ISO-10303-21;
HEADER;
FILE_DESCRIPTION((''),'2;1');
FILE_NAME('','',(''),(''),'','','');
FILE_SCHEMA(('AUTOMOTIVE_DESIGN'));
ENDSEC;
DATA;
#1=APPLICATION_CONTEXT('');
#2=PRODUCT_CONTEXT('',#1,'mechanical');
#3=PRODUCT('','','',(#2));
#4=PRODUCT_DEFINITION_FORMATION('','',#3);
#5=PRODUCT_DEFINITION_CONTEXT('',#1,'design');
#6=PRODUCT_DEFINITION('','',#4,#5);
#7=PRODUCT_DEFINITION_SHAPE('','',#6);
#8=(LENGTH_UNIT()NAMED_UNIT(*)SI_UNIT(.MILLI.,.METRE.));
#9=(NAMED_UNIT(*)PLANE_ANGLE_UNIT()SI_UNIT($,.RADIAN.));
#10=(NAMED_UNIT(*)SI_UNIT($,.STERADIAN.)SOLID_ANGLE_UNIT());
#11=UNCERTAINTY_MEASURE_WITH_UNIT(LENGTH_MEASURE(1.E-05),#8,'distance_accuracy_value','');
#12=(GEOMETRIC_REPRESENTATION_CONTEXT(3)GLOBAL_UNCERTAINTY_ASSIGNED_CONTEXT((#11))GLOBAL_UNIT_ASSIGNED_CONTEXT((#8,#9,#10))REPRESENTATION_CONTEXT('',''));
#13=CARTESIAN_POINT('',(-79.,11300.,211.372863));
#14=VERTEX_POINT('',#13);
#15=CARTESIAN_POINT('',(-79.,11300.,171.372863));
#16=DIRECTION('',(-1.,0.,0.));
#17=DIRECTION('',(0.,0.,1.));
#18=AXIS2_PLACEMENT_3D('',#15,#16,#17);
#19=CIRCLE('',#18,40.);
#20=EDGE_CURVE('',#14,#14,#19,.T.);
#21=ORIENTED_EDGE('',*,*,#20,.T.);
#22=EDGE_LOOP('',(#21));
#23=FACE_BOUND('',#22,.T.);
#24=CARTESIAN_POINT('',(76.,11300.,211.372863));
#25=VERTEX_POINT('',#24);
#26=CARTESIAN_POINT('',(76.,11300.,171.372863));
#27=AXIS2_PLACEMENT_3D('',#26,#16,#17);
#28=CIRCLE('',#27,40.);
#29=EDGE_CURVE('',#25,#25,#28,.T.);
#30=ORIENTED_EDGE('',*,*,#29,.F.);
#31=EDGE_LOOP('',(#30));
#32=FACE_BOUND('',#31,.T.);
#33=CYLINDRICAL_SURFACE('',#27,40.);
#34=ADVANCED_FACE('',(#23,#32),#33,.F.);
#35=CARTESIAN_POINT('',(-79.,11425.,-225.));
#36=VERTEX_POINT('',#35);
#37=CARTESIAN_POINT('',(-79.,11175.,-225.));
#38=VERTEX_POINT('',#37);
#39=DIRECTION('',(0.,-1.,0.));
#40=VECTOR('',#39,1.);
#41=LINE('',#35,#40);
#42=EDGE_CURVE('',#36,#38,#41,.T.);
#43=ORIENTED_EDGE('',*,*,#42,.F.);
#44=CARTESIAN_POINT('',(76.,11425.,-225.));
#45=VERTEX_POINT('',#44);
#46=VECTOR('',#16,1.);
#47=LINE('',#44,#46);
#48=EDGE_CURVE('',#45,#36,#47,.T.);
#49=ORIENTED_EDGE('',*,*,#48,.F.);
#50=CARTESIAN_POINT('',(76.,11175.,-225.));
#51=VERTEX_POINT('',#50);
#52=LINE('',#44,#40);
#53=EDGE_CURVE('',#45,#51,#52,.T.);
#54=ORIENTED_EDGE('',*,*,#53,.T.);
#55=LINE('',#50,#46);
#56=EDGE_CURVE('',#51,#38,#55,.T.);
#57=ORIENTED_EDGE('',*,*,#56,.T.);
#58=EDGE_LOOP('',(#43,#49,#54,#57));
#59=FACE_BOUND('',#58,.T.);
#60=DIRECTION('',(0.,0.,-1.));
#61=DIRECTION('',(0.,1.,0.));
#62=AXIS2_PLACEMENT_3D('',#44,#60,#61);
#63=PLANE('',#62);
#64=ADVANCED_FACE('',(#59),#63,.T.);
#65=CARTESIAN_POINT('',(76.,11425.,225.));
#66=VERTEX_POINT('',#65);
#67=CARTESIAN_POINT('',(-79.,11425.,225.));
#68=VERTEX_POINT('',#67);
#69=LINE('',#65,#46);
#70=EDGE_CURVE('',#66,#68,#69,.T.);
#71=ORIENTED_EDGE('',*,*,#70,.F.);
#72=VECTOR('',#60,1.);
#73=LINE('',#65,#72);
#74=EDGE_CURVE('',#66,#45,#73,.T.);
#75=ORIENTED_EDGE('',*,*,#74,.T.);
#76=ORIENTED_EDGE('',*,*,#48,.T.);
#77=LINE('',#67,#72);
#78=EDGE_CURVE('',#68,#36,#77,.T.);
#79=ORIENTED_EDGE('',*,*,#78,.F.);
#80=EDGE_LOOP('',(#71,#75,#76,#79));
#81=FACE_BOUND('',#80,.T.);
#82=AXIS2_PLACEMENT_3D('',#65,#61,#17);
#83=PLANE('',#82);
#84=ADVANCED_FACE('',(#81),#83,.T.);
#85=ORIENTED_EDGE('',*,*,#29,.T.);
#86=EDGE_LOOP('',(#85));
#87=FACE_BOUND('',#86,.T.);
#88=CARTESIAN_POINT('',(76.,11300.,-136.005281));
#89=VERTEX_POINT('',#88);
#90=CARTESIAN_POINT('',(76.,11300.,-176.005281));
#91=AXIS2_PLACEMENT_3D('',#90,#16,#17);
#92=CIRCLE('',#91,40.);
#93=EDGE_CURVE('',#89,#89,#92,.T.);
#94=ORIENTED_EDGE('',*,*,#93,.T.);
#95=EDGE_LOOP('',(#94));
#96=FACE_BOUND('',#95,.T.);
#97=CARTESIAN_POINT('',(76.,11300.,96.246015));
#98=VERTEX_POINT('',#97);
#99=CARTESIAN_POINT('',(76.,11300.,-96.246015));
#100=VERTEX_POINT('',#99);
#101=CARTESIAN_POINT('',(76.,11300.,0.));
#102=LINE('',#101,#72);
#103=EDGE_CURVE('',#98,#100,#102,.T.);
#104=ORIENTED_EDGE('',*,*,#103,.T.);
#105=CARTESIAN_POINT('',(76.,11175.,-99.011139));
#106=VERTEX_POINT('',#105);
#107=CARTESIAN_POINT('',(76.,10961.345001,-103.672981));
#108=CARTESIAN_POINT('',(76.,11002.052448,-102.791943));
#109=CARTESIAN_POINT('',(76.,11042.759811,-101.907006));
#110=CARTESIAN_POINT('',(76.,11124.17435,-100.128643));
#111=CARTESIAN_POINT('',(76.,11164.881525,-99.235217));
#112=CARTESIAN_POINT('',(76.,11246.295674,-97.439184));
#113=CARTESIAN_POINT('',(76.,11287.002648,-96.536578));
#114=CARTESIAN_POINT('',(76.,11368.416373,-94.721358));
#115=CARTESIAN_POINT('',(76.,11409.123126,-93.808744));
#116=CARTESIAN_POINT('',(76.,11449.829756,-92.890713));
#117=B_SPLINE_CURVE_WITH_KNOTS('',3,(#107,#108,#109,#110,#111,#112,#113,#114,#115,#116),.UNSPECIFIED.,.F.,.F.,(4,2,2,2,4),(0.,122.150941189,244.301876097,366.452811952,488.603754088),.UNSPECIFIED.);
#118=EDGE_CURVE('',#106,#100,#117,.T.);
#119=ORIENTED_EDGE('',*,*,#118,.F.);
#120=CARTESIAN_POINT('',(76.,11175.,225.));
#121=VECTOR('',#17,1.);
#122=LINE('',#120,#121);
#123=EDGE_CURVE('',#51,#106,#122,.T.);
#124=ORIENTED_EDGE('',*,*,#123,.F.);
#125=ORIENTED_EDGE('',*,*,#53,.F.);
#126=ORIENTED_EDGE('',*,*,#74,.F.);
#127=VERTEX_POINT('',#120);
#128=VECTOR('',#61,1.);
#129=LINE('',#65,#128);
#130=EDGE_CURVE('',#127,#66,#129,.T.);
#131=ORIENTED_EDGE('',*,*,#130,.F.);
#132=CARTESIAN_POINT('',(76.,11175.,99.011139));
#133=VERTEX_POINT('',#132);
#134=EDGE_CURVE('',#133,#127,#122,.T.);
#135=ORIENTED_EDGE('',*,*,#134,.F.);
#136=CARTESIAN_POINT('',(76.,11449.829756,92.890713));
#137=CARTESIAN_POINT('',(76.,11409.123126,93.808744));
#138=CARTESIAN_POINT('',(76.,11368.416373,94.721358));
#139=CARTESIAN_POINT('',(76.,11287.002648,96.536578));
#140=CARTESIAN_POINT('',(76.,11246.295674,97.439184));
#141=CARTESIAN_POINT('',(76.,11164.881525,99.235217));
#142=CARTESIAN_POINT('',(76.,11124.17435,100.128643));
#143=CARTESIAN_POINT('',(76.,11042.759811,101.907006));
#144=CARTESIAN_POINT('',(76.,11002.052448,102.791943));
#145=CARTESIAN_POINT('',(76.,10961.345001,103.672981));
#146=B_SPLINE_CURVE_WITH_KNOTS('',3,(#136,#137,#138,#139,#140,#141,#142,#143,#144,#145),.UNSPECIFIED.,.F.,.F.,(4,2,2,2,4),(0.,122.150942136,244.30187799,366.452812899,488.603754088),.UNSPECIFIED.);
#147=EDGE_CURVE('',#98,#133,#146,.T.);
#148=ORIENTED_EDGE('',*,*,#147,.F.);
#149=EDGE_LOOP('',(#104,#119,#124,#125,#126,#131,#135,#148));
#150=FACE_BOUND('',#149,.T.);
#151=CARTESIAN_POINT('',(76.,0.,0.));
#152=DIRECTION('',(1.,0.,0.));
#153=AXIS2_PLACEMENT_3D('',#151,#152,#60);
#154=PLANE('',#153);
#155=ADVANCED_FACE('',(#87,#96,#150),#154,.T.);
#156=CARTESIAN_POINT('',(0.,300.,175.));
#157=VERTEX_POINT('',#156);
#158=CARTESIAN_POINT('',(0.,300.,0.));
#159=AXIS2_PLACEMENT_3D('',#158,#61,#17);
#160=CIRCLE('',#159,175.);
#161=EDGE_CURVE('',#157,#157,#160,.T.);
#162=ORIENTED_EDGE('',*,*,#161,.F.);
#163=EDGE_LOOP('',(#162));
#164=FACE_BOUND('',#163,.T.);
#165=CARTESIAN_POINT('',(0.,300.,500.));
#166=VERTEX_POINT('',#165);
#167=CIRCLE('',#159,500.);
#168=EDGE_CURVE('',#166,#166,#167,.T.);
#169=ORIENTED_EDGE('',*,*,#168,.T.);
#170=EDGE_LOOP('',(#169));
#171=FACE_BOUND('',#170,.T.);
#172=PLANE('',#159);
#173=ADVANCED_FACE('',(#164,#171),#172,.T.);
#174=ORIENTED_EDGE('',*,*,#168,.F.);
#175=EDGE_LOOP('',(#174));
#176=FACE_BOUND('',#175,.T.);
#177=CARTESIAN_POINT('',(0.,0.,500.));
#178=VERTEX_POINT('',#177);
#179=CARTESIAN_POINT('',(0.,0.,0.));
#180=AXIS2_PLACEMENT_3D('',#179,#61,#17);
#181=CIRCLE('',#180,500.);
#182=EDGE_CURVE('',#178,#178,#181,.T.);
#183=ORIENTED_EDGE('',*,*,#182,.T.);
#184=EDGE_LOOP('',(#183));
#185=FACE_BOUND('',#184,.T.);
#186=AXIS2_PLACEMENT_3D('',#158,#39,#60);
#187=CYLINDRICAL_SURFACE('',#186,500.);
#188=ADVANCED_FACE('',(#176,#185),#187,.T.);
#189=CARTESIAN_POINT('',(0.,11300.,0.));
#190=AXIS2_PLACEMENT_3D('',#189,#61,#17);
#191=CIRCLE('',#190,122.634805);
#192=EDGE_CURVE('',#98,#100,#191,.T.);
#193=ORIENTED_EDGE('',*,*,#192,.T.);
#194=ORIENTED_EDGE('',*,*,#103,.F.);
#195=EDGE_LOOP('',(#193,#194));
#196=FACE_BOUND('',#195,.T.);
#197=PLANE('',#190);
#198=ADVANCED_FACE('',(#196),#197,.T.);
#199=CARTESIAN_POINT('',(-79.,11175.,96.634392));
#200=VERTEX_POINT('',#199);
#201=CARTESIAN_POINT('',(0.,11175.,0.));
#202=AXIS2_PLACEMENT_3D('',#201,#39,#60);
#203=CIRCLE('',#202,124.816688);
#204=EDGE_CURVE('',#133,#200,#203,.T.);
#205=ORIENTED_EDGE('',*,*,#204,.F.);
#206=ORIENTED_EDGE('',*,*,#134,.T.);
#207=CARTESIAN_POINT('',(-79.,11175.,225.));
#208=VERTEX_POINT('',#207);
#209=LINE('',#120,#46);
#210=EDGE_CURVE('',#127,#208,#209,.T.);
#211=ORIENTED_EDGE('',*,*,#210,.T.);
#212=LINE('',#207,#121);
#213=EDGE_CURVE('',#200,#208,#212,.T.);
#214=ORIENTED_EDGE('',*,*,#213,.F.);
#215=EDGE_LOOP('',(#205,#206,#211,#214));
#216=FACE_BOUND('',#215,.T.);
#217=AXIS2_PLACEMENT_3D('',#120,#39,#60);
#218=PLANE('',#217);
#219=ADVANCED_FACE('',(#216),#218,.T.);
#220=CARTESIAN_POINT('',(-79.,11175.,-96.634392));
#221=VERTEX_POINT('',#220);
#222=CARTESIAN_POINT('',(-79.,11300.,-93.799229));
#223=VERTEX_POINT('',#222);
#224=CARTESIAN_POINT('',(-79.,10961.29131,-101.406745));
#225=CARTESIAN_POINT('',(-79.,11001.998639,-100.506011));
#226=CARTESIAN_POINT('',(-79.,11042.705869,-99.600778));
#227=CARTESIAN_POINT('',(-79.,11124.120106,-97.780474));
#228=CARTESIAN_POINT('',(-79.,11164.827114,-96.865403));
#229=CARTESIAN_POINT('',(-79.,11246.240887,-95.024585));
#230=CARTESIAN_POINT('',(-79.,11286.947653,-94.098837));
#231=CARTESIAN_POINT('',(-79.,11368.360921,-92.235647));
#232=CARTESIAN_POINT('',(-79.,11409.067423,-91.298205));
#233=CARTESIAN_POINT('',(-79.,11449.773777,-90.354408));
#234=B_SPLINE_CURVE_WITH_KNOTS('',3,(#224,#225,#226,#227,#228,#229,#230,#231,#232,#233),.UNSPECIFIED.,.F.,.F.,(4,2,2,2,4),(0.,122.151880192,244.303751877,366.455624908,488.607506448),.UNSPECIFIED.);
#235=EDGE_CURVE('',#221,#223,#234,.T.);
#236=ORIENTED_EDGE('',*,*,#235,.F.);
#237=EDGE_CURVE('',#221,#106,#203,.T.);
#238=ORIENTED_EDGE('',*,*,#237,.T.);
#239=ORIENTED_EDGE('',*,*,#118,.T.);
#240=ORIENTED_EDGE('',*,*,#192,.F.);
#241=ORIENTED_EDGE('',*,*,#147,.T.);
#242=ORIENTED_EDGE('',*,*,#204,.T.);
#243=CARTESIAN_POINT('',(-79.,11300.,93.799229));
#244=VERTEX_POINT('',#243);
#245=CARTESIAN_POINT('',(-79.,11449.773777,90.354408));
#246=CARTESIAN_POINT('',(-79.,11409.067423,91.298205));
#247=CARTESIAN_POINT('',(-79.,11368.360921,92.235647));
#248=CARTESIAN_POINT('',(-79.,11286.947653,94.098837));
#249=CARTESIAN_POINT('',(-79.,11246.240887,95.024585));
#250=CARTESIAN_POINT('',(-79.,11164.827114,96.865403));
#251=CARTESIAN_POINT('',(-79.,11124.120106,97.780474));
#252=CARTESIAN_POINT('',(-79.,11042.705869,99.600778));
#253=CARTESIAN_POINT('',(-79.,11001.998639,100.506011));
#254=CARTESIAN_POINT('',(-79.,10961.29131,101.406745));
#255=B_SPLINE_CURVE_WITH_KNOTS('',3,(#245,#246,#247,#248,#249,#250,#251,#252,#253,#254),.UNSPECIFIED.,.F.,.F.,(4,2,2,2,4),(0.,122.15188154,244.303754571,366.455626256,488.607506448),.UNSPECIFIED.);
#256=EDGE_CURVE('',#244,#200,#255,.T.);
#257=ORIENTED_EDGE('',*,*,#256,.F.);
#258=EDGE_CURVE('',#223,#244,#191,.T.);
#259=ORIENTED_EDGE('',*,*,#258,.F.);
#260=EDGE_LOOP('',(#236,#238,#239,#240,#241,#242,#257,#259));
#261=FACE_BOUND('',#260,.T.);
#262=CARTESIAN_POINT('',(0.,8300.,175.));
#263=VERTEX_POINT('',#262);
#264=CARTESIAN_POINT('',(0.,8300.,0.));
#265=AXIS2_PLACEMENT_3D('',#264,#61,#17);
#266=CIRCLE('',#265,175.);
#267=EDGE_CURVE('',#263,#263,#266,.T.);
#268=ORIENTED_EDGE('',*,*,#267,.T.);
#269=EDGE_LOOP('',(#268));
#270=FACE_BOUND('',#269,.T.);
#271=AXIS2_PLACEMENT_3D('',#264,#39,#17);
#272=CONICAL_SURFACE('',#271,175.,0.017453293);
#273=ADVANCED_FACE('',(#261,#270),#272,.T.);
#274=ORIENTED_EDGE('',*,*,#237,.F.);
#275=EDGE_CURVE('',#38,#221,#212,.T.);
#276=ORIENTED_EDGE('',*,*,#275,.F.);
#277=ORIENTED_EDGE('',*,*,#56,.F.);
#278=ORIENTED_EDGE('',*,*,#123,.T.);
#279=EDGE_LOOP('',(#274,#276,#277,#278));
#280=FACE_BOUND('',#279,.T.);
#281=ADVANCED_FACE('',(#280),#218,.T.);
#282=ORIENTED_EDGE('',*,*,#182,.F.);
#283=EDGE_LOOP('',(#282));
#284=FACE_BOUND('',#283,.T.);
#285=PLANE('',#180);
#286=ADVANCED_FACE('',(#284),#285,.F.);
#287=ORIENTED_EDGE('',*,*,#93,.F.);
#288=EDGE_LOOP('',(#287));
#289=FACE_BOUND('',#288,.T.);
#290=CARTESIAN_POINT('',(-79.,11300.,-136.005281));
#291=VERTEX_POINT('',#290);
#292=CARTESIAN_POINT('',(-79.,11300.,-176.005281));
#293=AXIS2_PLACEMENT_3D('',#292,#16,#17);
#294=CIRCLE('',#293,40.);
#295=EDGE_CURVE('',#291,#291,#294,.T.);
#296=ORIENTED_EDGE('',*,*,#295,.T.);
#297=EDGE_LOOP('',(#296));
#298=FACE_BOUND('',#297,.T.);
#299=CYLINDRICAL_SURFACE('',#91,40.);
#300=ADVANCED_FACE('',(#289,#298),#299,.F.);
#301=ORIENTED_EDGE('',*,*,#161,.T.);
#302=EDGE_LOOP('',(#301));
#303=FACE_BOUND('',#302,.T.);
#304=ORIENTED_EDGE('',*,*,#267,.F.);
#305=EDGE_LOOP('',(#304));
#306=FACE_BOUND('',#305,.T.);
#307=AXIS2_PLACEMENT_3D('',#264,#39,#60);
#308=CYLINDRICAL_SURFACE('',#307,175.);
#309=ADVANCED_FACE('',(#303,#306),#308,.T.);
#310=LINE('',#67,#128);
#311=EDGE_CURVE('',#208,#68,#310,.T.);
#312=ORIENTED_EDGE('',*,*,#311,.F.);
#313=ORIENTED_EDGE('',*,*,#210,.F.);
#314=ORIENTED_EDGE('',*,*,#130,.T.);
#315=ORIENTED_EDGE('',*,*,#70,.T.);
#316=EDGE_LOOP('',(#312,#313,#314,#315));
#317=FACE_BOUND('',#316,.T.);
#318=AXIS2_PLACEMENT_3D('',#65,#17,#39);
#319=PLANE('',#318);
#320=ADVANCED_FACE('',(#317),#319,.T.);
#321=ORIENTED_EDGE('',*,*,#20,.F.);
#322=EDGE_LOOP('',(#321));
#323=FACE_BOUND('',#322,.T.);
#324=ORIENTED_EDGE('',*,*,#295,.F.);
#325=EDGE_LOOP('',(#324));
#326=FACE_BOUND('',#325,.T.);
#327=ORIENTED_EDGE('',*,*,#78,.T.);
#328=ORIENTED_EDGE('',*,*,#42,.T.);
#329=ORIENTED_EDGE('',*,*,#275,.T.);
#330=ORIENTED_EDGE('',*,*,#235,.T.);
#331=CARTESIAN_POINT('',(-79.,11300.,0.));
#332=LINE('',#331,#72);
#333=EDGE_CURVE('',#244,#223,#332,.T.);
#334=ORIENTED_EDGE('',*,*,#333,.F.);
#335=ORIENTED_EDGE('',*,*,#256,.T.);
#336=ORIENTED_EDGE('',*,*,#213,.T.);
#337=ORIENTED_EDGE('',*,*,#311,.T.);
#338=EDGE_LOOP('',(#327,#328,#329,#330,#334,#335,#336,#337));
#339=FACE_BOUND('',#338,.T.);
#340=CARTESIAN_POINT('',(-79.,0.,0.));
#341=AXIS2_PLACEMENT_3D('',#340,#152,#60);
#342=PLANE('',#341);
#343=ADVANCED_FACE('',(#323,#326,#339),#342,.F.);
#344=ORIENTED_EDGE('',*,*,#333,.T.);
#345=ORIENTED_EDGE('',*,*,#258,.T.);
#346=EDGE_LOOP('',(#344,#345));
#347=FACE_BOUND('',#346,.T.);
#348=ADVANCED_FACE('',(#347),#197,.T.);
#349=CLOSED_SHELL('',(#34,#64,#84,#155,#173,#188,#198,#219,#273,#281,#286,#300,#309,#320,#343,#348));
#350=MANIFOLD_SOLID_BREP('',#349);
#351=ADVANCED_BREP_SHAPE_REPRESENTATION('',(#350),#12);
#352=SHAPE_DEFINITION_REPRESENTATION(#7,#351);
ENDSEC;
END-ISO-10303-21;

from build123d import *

# Parameters (mm, degrees)
CROQUIS1_R                   = 500
SALIENTE_EXTRUIR1_DEPTH      = 300
CROQUIS2_R                   = 175
SALIENTE_EXTRUIR3_DEPTH      = 8000
CROQUIS4_R                   = 175
SALIENTE_EXTRUIR5_DEPTH      = 3000
SALIENTE_EXTRUIR5_TAPER      = 1
SALIENTE_EXTRUIR6_DEPTH      = 79
SALIENTE_EXTRUIR6_DEPTH_BACK = 76
CROQUIS6_W                   = 450
CROQUIS6_H                   = 250
CROQUIS6_R                   = 40


with BuildPart() as part:
    # Croquis1 → Saliente-Extruir1 (new body)
    with BuildSketch(Plane(origin=(0, 0, 0), x_dir=(1, 0, 0), z_dir=(0, 1, 0))):
        with Locations(Location((0, 0, 0), (0, 0, 270))):
            Circle(CROQUIS1_R)
    extrude(amount=SALIENTE_EXTRUIR1_DEPTH)

    # Croquis2 → Saliente-Extruir3 (add)
    with BuildSketch(Plane(origin=(0, 300, 0), x_dir=(1, 0, 0), z_dir=(0, 1, 0))):
        with Locations(Location((0, 0, 0), (0, 0, 270))):
            Circle(CROQUIS2_R)
    extrude(amount=SALIENTE_EXTRUIR3_DEPTH)

    # Croquis4 → Saliente-Extruir5 (add)
    with BuildSketch(Plane(origin=(0, 8300, 0), x_dir=(1, 0, 0), z_dir=(0, 1, 0))):
        with Locations(Location((0, 0, 0), (0, 0, 270))):
            Circle(CROQUIS4_R)
    extrude(amount=SALIENTE_EXTRUIR5_DEPTH, taper=SALIENTE_EXTRUIR5_TAPER)

    # Croquis6 → Saliente-Extruir6 (add, two sides: drawn at the far end of the back side and taken through both)
    with BuildSketch(Plane.ZY.offset(-SALIENTE_EXTRUIR6_DEPTH_BACK)):
        with Locations((0, 11300)):
            Rectangle(CROQUIS6_W, CROQUIS6_H)
        with Locations((-176.005281437, 11300)):
            Circle(CROQUIS6_R, mode=Mode.SUBTRACT)
        with Locations((171.37286268, 11300)):
            Circle(CROQUIS6_R, mode=Mode.SUBTRACT)
    extrude(amount=SALIENTE_EXTRUIR6_DEPTH + SALIENTE_EXTRUIR6_DEPTH_BACK)


solid = part.part
